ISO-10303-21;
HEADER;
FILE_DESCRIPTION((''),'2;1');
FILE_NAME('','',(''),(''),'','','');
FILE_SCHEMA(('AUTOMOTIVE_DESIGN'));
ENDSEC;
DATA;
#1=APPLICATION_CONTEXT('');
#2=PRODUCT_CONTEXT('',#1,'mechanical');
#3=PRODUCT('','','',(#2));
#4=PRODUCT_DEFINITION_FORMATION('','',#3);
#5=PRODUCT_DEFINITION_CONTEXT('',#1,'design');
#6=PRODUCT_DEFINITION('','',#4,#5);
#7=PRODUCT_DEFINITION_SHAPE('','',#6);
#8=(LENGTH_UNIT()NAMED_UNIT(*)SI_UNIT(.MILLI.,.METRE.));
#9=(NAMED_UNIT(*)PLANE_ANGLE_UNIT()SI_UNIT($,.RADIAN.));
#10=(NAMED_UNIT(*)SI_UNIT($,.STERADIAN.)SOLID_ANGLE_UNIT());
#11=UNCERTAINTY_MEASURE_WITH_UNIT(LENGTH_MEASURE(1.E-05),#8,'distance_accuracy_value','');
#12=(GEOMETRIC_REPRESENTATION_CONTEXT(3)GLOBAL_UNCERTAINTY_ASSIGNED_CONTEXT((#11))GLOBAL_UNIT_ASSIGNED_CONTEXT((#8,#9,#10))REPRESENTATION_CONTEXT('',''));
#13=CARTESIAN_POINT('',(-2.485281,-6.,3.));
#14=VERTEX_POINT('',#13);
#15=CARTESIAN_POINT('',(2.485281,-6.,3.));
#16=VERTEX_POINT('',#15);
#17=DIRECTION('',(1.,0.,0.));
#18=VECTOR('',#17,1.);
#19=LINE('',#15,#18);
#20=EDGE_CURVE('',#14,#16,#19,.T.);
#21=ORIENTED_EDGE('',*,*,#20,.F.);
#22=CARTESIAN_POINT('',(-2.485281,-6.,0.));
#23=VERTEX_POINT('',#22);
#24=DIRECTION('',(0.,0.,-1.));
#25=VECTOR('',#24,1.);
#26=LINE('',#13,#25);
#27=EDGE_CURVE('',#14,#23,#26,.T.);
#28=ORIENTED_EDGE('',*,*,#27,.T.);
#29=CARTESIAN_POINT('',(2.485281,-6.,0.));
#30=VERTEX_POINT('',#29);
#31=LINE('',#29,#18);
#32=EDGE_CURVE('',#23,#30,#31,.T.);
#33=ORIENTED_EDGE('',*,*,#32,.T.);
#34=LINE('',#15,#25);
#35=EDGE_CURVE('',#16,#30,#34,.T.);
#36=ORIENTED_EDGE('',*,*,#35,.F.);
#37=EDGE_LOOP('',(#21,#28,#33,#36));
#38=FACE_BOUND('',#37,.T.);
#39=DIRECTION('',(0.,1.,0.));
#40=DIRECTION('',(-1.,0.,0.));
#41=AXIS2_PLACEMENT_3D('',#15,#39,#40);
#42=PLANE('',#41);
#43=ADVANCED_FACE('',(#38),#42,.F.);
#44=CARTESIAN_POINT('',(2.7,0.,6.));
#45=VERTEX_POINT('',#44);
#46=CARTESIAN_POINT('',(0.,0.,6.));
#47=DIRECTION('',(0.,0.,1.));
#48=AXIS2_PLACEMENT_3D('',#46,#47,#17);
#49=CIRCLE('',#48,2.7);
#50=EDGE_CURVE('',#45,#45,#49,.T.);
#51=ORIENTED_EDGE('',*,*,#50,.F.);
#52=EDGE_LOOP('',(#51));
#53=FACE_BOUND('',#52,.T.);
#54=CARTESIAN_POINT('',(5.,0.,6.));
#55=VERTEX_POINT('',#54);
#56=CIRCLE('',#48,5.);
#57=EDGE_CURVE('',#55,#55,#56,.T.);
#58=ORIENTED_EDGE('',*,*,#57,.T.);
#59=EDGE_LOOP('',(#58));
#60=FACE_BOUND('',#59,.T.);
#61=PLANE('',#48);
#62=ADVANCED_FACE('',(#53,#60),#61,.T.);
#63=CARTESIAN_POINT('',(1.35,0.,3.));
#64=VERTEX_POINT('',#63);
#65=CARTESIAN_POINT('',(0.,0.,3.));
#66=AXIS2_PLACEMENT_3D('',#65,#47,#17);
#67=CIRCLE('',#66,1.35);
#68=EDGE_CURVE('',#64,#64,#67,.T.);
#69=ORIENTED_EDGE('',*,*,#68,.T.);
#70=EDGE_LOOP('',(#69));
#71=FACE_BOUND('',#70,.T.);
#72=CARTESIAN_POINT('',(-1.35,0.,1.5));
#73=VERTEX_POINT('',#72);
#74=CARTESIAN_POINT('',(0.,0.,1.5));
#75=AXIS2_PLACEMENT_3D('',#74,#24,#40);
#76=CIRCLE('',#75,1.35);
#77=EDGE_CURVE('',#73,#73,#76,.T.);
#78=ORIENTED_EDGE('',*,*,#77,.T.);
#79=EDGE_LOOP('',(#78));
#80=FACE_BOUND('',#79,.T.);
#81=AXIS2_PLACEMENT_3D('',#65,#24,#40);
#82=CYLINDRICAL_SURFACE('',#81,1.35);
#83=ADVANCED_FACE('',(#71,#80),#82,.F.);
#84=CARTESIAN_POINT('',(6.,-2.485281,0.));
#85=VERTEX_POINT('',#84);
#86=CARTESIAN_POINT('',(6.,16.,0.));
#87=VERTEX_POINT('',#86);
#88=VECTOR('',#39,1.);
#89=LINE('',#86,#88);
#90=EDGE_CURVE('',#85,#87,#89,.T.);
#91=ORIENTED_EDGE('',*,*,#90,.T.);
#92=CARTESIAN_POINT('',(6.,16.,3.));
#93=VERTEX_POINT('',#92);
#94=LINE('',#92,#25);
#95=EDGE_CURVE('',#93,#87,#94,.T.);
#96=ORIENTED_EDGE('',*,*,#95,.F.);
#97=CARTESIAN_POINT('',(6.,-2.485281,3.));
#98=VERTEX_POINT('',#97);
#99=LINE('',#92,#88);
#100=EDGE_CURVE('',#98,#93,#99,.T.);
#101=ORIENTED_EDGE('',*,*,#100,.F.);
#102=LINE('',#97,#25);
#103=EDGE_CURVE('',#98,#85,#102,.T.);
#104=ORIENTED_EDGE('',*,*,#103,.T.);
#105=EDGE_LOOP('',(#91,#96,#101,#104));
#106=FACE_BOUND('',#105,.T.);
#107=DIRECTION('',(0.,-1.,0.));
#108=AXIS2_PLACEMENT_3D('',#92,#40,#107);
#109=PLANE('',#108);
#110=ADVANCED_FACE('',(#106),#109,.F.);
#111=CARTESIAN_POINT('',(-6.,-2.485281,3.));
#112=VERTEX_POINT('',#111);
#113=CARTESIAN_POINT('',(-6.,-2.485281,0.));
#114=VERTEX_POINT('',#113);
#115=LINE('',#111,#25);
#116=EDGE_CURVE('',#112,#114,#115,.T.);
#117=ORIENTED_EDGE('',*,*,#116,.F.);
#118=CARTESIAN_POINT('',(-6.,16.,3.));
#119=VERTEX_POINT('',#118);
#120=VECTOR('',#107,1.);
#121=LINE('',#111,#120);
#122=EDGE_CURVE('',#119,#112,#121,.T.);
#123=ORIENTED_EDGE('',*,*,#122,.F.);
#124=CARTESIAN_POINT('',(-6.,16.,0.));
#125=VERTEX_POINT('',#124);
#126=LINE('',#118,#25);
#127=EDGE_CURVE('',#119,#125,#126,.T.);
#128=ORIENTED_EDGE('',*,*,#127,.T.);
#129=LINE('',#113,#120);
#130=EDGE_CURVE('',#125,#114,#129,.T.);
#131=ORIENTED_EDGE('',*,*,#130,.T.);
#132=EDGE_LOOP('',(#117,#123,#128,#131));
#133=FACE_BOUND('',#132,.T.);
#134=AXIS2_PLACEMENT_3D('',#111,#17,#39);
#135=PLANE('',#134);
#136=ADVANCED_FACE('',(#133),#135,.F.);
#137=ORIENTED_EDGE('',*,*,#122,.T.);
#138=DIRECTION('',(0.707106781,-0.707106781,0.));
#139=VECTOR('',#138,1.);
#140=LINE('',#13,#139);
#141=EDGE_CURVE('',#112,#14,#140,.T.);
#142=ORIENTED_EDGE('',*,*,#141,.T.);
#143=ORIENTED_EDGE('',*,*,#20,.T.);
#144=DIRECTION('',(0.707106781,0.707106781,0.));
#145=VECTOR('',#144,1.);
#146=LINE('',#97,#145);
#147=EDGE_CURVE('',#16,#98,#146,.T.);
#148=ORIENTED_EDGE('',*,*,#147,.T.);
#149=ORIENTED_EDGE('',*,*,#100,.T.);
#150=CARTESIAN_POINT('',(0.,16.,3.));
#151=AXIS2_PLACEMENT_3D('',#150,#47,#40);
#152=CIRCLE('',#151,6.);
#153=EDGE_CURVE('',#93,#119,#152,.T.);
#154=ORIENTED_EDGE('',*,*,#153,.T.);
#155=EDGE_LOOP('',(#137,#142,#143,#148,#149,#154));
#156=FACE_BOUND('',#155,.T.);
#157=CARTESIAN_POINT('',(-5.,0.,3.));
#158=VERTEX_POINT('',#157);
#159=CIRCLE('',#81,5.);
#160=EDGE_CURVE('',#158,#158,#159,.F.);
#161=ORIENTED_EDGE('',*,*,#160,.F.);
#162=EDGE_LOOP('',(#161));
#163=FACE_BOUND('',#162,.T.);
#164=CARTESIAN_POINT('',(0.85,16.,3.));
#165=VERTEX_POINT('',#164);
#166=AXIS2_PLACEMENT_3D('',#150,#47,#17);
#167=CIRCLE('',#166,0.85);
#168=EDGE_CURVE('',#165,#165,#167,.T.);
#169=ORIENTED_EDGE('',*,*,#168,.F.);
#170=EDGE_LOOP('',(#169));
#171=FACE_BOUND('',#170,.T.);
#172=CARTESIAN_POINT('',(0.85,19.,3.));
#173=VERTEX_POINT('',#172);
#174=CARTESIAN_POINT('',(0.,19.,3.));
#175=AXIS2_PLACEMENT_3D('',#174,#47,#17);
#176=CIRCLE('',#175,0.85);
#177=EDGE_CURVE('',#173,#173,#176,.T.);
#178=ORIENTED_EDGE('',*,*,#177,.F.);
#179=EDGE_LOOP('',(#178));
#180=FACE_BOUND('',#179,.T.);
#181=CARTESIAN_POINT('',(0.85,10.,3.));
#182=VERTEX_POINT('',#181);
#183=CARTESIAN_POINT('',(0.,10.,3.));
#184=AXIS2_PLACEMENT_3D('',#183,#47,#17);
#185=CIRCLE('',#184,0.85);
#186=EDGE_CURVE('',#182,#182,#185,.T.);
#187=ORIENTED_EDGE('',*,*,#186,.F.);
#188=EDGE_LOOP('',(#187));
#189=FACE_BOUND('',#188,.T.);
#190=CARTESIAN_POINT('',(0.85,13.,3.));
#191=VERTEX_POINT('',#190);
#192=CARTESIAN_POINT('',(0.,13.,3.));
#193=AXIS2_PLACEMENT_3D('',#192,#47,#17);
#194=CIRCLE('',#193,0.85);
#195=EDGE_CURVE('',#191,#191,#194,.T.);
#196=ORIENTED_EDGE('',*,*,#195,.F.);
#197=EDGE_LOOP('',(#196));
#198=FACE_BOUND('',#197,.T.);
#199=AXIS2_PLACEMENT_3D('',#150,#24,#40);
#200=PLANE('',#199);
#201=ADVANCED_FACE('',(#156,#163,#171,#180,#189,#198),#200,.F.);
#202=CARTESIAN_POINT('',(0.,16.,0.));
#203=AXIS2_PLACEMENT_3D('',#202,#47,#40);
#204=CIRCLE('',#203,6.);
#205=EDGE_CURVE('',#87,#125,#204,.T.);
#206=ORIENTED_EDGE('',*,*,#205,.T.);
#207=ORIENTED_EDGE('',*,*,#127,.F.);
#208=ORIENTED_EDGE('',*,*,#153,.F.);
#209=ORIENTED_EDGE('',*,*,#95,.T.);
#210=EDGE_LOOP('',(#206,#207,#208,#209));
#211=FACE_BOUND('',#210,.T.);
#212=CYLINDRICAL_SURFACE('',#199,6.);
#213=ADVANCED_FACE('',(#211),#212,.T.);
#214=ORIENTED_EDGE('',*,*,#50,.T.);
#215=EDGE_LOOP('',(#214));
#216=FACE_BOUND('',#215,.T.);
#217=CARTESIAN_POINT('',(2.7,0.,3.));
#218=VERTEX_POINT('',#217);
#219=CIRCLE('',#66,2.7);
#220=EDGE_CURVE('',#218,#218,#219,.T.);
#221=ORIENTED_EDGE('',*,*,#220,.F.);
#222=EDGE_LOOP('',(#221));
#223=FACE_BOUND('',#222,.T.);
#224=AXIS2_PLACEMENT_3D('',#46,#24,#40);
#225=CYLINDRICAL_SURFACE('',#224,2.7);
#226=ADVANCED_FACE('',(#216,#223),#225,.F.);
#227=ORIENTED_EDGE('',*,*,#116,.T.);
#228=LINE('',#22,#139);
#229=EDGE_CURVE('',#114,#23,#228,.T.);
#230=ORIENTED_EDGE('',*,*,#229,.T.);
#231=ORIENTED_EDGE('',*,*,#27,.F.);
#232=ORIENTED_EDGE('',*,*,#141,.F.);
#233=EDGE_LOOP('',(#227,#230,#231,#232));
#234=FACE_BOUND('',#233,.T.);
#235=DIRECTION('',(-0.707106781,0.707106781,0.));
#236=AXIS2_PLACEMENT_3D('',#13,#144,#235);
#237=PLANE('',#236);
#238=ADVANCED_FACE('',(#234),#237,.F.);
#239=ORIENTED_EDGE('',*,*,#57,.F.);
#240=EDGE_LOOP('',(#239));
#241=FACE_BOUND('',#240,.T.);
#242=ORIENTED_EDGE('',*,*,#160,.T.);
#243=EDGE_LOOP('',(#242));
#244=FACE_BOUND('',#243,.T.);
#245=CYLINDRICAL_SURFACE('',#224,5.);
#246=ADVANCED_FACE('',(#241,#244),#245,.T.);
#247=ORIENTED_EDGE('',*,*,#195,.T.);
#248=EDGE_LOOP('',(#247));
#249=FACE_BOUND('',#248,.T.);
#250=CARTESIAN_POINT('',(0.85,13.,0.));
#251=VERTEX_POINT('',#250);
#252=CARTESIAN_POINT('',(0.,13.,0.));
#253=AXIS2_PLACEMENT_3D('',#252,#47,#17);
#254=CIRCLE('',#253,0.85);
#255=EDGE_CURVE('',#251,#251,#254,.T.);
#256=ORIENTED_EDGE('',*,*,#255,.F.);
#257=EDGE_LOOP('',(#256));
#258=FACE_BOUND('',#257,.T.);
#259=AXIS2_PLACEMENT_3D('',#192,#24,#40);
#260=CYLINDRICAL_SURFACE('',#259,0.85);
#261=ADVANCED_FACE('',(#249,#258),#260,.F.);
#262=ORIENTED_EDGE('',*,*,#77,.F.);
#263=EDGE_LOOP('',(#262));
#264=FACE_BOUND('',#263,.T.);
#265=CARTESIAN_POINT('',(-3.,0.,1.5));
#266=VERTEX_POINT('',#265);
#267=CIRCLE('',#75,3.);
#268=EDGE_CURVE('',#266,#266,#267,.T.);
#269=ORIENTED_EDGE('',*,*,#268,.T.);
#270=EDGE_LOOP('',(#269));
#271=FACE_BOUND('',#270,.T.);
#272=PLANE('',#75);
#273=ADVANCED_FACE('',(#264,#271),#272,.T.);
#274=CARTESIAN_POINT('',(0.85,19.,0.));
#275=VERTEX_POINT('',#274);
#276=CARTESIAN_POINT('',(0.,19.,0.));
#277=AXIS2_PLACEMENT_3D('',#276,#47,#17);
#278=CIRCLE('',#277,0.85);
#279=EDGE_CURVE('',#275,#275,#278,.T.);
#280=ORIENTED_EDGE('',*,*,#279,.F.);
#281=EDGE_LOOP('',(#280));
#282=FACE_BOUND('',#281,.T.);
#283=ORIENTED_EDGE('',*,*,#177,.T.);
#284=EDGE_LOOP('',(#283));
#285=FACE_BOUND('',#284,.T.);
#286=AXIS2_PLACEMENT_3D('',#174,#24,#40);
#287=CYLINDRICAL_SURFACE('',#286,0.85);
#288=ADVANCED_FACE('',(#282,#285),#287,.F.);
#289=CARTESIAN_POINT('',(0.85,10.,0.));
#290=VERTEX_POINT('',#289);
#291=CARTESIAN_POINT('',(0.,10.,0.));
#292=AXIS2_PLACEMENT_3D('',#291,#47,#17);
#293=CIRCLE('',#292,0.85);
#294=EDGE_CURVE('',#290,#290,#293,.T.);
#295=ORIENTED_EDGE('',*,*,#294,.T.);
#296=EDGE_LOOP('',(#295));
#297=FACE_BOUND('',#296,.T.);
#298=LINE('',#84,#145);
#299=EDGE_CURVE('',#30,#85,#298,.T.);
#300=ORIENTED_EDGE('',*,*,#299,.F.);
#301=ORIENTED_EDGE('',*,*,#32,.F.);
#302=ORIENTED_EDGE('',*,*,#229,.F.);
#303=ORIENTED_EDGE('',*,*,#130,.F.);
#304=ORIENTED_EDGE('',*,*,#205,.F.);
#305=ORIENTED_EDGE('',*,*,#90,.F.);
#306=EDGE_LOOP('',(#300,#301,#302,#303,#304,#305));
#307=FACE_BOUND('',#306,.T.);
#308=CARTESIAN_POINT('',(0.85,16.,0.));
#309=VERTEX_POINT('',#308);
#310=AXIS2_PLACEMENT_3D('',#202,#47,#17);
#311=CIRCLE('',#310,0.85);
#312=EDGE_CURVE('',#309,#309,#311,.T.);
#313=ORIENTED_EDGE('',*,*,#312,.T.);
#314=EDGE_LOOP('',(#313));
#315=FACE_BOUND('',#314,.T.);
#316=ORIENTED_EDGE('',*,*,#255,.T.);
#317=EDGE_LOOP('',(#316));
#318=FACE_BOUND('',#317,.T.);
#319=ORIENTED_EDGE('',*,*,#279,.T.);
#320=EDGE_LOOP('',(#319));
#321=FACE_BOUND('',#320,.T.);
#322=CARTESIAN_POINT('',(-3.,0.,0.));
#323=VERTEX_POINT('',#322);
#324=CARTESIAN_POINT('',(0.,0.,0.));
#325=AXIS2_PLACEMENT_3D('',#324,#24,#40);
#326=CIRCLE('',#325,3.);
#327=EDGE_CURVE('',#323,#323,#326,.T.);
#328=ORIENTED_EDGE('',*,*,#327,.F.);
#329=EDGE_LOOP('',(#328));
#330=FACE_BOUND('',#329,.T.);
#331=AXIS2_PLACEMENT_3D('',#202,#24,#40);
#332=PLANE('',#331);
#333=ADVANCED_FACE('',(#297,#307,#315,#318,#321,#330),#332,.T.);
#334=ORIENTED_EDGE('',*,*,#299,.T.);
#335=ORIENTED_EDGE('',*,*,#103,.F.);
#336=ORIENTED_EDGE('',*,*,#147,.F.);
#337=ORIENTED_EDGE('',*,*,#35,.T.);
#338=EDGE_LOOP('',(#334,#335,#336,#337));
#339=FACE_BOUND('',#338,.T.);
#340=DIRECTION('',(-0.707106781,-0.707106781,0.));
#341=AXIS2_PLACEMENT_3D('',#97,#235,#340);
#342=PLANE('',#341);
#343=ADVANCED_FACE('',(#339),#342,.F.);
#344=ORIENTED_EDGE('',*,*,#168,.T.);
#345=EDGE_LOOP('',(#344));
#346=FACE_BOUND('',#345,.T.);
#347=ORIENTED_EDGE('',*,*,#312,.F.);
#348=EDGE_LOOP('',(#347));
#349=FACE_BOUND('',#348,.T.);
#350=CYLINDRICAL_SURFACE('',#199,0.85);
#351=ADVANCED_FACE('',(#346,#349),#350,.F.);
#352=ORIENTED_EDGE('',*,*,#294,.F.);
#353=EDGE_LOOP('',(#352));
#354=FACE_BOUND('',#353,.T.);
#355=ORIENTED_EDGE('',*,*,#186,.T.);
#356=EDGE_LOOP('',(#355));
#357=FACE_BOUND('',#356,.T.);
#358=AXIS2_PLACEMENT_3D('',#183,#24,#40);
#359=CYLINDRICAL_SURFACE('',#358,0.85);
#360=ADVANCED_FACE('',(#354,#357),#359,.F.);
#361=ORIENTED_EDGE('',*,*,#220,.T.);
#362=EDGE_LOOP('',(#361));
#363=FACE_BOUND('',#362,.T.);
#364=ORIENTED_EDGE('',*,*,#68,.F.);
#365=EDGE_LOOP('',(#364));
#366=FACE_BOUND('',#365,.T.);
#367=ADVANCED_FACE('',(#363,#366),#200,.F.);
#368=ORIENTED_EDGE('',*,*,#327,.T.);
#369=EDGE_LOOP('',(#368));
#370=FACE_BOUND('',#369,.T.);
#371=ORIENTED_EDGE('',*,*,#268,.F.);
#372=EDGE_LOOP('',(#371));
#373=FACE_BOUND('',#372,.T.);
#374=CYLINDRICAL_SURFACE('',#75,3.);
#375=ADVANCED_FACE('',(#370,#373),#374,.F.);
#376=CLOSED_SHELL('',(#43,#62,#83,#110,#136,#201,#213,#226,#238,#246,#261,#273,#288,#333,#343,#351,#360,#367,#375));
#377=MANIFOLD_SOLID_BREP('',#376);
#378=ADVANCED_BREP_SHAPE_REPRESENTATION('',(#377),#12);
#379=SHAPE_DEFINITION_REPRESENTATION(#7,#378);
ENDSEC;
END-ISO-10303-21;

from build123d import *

# Parameters (mm, degrees)
SKETCH_1_R          = 1.35
SKETCH_1_R_2        = 0.85
EXTRUDE_1_DEPTH     = 3
SKETCH_2_R          = 5
SKETCH_2_R_2        = 2.7
EXTRUDE_2_DEPTH     = 3
SKETCH_3_R          = 3
CUT_EXTRUDE_1_DEPTH = 1.5


with BuildPart() as part:
    # Эскиз1 → Бобышка-Вытянуть1 (new body)
    with BuildSketch(Plane.XY):
        with BuildLine():
            Line((6, 16), (6, -2.485281374))
            Line((6, -2.485281374), (2.485281374, -6))
            Line((2.485281374, -6), (-2.485281374, -6))
            Line((-2.485281374, -6), (-6, -2.485281374))
            Line((-6, -2.485281374), (-6, 16))
            ThreePointArc((-6, 16), (0, 22), (6, 16))
        make_face()
        Circle(SKETCH_1_R, mode=Mode.SUBTRACT)
        with Locations((0, 10)):
            Circle(SKETCH_1_R_2, mode=Mode.SUBTRACT)
        with Locations((0, 13)):
            Circle(SKETCH_1_R_2, mode=Mode.SUBTRACT)
        with Locations((0, 16)):
            Circle(SKETCH_1_R_2, mode=Mode.SUBTRACT)
        with Locations((0, 19)):
            Circle(SKETCH_1_R_2, mode=Mode.SUBTRACT)
    extrude(amount=EXTRUDE_1_DEPTH)

    # Эскиз2 → Бобышка-Вытянуть2 (add)
    with BuildSketch(Plane.XY.offset(3)):
        Circle(SKETCH_2_R)
        Circle(SKETCH_2_R_2, mode=Mode.SUBTRACT)
    extrude(amount=EXTRUDE_2_DEPTH)

    # Эскиз3 → Вырез-Вытянуть1 (cut)
    with BuildSketch(Plane(origin=(0, 0, 0), x_dir=(-1, 0, 0), z_dir=(0, 0, -1))):
        Circle(SKETCH_3_R)
    extrude(amount=-CUT_EXTRUDE_1_DEPTH, mode=Mode.SUBTRACT)


solid = part.part
